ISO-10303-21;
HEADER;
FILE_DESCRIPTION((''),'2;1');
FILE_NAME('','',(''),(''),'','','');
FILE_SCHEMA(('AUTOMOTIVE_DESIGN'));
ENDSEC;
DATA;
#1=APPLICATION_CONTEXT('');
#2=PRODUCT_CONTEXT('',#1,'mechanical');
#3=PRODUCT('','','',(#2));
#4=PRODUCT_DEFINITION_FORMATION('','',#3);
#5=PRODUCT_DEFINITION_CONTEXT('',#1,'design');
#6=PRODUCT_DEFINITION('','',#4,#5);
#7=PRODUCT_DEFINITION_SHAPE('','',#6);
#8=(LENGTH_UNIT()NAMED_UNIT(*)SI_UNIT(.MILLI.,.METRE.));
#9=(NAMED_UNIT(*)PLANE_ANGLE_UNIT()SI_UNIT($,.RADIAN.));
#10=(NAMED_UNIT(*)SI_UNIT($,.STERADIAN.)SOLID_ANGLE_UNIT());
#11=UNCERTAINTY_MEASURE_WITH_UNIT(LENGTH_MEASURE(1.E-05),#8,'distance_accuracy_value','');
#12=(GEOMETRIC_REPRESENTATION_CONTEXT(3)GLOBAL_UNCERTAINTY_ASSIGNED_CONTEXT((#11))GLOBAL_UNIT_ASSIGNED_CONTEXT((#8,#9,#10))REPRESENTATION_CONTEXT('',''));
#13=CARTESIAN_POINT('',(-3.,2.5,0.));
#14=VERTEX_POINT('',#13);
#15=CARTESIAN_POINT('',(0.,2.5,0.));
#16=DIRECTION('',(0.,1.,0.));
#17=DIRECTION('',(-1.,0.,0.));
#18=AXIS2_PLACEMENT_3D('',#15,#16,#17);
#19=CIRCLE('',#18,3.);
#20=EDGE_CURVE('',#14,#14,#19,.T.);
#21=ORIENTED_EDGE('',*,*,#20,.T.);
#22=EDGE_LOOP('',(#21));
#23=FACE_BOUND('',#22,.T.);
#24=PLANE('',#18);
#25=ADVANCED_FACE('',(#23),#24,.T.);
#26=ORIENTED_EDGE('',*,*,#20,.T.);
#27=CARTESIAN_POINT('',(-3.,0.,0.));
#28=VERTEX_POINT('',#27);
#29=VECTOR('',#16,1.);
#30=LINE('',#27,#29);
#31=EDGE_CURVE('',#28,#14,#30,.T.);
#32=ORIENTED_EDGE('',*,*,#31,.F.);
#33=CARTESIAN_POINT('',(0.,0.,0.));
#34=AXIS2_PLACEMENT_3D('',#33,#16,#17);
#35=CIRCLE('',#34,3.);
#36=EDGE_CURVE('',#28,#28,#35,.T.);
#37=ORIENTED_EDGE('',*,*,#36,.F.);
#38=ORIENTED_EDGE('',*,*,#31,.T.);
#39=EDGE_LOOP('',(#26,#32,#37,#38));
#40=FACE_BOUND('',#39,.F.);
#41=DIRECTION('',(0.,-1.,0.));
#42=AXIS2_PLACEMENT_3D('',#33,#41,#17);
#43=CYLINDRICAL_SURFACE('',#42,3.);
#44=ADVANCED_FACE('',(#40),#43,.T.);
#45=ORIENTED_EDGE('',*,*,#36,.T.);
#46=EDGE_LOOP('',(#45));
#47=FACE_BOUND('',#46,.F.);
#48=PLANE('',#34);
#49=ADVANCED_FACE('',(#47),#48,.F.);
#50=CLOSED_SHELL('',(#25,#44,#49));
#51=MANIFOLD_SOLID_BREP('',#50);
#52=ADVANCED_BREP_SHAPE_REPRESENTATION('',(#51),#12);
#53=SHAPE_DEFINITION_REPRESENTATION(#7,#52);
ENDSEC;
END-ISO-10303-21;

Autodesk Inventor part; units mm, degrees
ref_plane "YZ Plane" through (0, 0, 0) normal (1, 0, 0) x (0, 1, 0)
ref_plane "XZ Plane" through (0, 0, 0) normal (0, 1, 0) x (-1, 0, 0)
ref_plane "XY Plane" through (0, 0, 0) normal (0, 0, 1) x (1, 0, 0)
sketch "Sketch1" plane through (0, 0, 0) normal (0, 1, 0) x (-1, 0, 0)
  circle A0 centre (0, 0) radius 3
  dimension "d0" = 6
extrude "Extrusion1" add sketch "Sketch1" along normal blind 2.5
properties part number "encoder_ma1"
